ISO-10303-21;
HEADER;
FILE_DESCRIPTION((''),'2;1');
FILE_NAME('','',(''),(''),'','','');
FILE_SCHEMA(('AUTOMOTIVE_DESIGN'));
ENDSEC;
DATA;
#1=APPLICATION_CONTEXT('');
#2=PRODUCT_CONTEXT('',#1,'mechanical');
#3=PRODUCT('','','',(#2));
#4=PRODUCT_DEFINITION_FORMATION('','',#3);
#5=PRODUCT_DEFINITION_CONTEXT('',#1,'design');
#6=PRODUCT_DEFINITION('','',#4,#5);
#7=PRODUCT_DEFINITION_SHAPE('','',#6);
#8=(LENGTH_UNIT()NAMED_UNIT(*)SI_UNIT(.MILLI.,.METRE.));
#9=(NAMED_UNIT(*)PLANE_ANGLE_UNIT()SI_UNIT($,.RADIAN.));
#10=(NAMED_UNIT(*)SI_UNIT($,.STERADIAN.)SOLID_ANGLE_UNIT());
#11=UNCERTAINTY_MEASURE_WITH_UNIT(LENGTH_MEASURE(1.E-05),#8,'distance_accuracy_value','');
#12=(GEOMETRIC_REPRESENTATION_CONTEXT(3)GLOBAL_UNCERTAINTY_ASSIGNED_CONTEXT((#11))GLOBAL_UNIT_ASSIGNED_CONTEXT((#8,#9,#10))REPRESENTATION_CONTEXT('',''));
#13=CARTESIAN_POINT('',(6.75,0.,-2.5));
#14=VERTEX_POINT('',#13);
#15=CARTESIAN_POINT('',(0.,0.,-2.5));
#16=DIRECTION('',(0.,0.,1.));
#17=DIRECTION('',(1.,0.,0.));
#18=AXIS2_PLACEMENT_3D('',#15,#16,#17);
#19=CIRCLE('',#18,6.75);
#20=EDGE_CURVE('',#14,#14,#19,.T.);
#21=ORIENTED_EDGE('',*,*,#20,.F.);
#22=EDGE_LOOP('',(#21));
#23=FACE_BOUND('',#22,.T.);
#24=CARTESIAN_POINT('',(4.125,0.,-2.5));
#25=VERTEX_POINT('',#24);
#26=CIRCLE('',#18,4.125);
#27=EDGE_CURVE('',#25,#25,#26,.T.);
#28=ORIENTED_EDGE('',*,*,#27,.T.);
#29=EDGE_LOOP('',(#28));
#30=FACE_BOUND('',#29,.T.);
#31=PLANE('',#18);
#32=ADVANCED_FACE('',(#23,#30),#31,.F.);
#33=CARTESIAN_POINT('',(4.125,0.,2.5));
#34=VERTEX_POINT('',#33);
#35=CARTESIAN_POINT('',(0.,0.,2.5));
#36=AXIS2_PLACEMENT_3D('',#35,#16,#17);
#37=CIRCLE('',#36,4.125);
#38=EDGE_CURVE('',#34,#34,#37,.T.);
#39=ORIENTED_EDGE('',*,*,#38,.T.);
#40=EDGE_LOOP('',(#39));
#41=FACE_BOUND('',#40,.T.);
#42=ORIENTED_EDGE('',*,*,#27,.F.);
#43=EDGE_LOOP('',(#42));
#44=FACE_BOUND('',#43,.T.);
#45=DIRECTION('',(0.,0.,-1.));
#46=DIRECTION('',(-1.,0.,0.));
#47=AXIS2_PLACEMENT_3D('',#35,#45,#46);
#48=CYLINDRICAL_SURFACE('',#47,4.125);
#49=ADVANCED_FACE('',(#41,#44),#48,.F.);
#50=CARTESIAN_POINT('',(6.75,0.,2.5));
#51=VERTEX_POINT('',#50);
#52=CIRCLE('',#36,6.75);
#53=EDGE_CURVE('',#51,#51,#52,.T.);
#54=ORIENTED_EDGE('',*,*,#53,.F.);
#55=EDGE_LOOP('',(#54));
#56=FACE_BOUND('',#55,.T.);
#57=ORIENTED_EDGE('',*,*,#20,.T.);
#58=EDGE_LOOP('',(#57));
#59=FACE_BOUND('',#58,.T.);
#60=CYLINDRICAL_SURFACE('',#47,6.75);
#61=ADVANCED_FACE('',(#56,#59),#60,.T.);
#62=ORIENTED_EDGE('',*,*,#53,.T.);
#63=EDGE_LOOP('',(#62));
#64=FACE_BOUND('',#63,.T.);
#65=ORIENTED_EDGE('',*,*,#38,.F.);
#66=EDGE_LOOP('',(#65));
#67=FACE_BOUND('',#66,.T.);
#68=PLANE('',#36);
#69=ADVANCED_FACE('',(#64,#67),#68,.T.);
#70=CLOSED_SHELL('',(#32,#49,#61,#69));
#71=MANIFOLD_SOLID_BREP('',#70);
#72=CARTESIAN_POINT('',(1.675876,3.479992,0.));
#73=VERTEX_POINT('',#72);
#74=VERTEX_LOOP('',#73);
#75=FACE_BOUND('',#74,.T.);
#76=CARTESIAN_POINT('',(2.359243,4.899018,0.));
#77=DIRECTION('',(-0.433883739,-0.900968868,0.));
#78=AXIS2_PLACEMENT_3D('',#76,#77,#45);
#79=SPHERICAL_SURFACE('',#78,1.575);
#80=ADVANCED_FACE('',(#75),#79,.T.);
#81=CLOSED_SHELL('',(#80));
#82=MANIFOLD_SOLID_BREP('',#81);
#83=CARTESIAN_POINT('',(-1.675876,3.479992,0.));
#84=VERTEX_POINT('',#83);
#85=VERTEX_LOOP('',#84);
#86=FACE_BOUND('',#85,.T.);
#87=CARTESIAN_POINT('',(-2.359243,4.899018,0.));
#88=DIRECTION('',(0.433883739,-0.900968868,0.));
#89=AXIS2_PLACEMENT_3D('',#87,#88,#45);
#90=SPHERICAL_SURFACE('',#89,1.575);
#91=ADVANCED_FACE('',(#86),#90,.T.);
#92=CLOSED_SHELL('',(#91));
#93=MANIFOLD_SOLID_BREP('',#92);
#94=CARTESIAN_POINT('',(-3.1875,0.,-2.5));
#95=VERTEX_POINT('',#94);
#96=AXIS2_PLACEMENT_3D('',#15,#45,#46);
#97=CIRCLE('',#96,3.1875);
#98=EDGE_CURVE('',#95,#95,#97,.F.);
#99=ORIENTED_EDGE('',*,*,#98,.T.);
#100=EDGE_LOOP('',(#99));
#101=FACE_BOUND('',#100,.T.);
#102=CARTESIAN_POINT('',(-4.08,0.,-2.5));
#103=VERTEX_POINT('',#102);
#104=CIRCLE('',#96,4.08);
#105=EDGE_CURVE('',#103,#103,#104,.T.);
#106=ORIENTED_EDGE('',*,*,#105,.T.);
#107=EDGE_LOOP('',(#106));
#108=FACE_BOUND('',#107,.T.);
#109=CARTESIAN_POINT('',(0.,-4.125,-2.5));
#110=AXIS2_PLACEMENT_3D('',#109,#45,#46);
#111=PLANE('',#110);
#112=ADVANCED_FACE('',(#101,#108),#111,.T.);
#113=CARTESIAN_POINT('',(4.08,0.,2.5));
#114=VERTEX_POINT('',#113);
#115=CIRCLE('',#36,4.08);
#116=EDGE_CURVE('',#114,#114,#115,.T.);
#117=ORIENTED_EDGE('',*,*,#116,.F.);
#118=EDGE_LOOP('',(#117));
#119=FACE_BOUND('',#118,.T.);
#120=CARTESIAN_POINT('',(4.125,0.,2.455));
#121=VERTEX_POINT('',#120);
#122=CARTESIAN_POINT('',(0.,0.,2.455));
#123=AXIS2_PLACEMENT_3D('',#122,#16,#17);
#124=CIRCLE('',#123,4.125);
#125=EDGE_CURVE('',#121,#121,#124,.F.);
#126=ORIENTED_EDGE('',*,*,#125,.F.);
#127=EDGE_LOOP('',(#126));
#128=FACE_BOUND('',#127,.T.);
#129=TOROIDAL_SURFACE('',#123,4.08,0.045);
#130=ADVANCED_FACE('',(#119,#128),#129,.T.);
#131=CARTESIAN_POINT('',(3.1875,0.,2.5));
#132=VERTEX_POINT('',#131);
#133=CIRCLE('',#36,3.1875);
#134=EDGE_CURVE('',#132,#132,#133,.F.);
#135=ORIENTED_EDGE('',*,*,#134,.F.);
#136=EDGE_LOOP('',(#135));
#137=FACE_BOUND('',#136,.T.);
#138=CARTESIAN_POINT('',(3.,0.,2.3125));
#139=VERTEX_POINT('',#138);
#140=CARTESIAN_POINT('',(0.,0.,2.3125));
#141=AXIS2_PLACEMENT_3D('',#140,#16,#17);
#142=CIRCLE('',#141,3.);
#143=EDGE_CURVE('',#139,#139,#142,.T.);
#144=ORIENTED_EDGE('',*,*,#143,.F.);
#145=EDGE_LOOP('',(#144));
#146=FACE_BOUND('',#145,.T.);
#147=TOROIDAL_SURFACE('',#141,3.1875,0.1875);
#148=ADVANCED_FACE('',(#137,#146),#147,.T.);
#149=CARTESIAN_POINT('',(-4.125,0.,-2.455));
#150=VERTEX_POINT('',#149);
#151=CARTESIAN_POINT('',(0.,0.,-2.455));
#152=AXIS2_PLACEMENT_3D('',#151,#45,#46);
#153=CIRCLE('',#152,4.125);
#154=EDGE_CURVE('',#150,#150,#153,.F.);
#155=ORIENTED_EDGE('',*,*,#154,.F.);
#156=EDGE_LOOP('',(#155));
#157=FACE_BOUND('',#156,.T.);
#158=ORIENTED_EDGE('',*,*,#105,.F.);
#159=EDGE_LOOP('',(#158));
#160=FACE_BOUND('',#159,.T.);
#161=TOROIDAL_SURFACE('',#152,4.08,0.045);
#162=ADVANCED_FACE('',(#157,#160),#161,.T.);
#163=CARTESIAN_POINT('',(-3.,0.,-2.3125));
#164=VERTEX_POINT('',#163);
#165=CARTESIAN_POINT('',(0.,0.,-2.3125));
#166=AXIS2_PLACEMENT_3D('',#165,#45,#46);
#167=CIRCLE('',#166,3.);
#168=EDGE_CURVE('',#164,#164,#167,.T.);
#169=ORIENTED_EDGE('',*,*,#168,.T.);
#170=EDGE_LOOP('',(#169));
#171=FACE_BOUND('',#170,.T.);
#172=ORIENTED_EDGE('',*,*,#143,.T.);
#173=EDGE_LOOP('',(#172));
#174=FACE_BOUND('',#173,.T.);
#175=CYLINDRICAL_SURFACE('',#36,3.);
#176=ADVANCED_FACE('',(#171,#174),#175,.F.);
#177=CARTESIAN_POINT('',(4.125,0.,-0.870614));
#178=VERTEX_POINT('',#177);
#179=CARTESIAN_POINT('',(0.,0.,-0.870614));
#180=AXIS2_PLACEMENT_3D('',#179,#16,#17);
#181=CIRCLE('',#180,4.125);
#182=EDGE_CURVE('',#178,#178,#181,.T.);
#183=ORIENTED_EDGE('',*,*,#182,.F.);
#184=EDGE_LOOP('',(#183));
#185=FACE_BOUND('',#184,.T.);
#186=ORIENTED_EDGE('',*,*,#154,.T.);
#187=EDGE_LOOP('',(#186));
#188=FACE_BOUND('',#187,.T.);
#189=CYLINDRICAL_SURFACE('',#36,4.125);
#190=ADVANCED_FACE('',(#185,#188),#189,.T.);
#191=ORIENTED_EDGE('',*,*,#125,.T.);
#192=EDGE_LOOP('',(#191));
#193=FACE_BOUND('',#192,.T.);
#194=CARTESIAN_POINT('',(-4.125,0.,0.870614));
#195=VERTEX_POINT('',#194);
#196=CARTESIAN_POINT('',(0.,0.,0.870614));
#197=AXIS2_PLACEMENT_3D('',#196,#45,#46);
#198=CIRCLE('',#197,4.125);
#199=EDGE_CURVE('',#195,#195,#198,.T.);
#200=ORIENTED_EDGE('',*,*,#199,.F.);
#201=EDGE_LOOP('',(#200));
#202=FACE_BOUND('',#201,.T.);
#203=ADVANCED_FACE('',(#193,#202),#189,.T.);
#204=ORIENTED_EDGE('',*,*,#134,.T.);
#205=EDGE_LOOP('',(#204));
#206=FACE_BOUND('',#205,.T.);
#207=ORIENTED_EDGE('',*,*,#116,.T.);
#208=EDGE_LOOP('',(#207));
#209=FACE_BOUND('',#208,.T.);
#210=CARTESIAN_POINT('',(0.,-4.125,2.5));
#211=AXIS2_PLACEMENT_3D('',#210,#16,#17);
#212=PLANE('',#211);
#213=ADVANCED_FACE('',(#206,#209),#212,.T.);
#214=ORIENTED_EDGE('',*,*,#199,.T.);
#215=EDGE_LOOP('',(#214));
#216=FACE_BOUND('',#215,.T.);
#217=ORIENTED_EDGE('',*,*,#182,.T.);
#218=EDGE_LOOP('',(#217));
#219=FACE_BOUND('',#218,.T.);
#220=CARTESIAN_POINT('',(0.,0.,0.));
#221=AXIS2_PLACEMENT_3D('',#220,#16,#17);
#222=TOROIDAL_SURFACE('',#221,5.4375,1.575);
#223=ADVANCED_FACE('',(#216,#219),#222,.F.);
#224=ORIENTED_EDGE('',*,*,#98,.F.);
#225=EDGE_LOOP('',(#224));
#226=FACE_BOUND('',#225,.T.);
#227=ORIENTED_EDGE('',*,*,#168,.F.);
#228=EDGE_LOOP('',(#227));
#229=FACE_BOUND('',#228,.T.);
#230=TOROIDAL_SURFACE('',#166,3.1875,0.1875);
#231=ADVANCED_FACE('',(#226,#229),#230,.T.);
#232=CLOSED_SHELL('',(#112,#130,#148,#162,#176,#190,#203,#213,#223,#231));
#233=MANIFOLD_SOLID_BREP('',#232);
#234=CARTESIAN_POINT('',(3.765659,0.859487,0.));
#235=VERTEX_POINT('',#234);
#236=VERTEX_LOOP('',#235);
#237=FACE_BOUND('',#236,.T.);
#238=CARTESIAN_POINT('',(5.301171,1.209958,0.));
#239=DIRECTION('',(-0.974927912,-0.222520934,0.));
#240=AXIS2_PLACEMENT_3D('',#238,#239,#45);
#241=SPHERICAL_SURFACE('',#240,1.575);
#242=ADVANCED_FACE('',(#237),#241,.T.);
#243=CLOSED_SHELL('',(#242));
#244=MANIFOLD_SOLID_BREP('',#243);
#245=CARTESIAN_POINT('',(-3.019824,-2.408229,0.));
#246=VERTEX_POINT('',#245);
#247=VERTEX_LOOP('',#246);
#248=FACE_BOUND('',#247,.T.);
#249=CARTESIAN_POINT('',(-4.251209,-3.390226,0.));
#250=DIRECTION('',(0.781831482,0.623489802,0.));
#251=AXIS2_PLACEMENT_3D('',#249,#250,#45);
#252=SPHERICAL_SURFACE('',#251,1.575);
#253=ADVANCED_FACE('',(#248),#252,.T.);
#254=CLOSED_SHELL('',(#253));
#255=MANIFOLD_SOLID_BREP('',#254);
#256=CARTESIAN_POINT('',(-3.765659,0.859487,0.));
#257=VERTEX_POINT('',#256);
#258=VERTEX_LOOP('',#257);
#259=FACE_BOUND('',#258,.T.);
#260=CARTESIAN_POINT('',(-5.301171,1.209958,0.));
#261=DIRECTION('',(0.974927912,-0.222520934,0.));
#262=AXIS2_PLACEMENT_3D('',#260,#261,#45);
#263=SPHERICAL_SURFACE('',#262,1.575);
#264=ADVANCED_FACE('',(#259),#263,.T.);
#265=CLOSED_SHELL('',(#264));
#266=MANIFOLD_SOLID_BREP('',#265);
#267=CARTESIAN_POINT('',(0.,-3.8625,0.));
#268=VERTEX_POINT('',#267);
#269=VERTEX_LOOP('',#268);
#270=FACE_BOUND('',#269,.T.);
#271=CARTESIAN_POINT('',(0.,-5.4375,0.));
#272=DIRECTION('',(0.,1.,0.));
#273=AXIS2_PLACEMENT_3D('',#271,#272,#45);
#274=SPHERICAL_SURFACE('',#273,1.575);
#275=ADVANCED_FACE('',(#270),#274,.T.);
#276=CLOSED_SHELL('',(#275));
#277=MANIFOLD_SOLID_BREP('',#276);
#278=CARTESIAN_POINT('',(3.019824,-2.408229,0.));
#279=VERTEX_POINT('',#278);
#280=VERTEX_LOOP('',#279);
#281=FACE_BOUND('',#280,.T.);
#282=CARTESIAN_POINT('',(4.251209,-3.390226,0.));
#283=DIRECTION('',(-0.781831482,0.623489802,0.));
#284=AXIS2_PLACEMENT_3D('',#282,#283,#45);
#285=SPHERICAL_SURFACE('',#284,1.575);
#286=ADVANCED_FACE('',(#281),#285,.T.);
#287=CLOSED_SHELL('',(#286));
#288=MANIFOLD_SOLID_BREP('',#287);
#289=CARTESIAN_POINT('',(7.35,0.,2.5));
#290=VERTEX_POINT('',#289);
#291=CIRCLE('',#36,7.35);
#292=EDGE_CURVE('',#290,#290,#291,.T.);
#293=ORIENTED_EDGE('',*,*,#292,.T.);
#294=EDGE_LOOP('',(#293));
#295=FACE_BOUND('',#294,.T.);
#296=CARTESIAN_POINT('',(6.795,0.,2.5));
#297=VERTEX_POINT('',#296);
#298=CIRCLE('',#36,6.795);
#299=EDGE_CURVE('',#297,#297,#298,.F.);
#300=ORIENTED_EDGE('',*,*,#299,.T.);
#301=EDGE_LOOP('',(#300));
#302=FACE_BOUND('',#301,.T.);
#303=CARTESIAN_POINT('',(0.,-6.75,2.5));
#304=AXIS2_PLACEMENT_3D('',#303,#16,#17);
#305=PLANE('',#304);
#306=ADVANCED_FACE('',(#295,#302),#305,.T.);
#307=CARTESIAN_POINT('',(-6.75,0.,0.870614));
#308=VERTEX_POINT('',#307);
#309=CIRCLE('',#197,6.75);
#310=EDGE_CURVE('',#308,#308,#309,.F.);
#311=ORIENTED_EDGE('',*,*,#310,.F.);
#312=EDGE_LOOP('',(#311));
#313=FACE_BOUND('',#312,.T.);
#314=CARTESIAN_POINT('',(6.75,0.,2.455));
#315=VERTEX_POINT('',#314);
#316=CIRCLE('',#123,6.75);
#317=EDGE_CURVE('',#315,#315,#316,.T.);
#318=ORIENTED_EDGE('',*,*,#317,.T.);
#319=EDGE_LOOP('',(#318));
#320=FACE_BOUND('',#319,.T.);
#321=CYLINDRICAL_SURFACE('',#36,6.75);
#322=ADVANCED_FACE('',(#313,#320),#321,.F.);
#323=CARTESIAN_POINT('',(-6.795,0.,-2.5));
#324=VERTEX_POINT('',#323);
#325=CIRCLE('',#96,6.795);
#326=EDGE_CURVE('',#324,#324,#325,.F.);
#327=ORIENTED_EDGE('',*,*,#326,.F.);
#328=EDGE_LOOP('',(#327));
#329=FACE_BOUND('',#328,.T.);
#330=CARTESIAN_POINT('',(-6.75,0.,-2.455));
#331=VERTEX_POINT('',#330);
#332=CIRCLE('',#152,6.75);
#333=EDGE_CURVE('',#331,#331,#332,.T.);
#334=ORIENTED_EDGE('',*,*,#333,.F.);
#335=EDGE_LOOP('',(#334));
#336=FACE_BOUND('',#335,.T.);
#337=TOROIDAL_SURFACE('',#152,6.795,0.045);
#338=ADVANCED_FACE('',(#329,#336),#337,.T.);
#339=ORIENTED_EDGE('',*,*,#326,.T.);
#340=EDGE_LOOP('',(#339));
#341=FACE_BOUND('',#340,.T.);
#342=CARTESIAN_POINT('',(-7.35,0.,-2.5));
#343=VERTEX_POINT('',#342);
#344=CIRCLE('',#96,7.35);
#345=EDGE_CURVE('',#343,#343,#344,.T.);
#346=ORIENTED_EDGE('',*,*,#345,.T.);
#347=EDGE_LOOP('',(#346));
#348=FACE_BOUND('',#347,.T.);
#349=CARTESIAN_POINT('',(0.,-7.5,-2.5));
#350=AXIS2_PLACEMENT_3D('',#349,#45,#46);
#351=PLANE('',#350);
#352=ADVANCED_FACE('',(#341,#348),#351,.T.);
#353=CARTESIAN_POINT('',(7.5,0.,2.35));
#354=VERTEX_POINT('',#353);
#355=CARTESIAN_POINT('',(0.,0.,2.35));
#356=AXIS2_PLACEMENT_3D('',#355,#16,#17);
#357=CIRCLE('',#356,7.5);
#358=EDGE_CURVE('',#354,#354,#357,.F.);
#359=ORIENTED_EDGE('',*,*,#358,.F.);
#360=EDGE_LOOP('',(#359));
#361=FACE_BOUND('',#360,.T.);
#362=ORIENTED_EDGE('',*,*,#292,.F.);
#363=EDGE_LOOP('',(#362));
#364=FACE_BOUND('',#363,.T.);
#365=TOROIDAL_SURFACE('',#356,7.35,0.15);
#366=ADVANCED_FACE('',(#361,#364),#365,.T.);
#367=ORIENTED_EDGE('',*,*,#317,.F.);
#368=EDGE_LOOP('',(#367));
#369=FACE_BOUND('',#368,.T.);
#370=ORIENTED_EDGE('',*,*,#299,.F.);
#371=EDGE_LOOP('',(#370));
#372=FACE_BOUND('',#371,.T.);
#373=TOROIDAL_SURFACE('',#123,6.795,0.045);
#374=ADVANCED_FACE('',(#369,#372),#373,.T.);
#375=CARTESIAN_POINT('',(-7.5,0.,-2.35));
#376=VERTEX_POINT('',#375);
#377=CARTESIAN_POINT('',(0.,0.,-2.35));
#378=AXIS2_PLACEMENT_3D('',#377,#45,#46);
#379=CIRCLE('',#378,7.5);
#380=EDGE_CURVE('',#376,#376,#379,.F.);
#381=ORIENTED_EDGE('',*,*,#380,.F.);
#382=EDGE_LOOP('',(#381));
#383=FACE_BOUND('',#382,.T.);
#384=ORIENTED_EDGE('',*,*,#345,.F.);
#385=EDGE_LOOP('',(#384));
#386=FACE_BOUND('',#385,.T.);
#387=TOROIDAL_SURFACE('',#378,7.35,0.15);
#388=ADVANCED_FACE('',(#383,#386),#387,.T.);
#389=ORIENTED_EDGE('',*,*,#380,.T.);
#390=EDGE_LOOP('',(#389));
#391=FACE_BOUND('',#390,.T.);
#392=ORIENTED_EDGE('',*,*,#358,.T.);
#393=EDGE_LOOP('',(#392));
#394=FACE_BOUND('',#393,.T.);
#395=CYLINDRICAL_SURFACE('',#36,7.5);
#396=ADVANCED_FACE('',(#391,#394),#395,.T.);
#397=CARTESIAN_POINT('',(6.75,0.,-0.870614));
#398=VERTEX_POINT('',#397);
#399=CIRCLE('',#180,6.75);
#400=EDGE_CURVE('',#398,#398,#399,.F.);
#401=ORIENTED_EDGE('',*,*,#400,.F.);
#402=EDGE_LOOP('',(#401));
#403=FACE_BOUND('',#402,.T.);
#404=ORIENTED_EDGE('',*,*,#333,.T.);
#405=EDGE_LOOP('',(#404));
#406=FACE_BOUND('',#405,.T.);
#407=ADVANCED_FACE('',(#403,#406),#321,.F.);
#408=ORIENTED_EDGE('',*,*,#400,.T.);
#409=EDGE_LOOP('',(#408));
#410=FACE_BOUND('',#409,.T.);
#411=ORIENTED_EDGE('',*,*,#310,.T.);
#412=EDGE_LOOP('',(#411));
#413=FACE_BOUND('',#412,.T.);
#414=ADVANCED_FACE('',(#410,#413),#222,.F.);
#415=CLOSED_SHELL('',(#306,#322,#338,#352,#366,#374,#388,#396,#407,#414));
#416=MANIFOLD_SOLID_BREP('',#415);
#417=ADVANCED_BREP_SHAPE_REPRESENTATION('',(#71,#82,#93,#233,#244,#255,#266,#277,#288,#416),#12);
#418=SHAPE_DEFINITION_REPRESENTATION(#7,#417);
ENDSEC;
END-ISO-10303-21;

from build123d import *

# Parameters (mm, degrees)
SKETCH3_W           = 5
SKETCH3_H           = 0.75
SKETCH3_H_2         = 1.125
SKETCH4_R           = 1.575
CIRPATTERN1_COUNT   = 7
FILLET1_R           = 0.15
FILLET2_R           = 0.1875
FILLET3_R           = 0.045
FILLET4_R           = 0.045
SKETCH6_R           = 6.75
SKETCH6_R_2         = 4.125
BOSS_EXTRUDE2_DEPTH = 2.5


with BuildPart() as part:
    # Sketch3 → Revolve1 (revolve)
    with BuildSketch(Plane(origin=(0, 0, 0), x_dir=(0, 0, -1), z_dir=(1, 0, 0))):
        with Locations((0, -7.125)):
            Rectangle(SKETCH3_W, SKETCH3_H)
        with Locations((0, -3.5625)):
            Rectangle(SKETCH3_W, SKETCH3_H_2)
    revolve(axis=Axis((0, 0, 2.5), (0, 0, -1)))

    # Sketch4 → Cut-Revolve1 (revolve, cut)
    with BuildSketch(Plane(origin=(0, 0, 0), x_dir=(0, 0, -1), z_dir=(1, 0, 0))):
        with Locations((0, -5.4375)):
            Circle(SKETCH4_R)
    revolve(axis=Axis((0, 0, 2.5), (0, 0, -1)), mode=Mode.SUBTRACT)

    # Fillet1
    fillet1_edges = [part.edges().sort_by_distance(p)[0] for p in [
        (0, 7.5, -2.5),
        (0, 7.5, 2.5),
    ]]
    fillet(fillet1_edges, radius=FILLET1_R)

    # Fillet2
    fillet2_edges = [part.edges().sort_by_distance(p)[0] for p in [
        (0, 3, -2.5),
        (0, 3, 2.5),
    ]]
    fillet(fillet2_edges, radius=FILLET2_R)

    # Fillet3
    fillet3_edges = [part.edges().sort_by_distance(p)[0] for p in [
        (0, 6.75, 2.5),
        (0, 6.75, -2.5),
    ]]
    fillet(fillet3_edges, radius=FILLET3_R)

    # Fillet4
    fillet4_edges = [part.edges().sort_by_distance(p)[0] for p in [
        (0, 4.125, 2.5),
        (0, 4.125, -2.5),
    ]]
    fillet(fillet4_edges, radius=FILLET4_R)


with BuildPart() as body_2:
    # Sketch5 → Revolve2 (revolve)
    with BuildSketch(Plane(origin=(0, 0, 0), x_dir=(0, 0, -1), z_dir=(1, 0, 0))):
        with BuildLine():
            Line((0, -3.8625), (0, -7.0125))
            ThreePointArc((0, -7.0125), (1.575, -5.4375), (0, -3.8625))
        make_face()
    revolve(axis=Axis((0, -3.8625, 0), (0, -1, 0)))


with BuildPart() as cirpattern1_1:
    # CirPattern1: pattern copy
    add(body_2.part.rotate(Axis((0, 0, 0), (0, 0, 1)), 1 * 360 / CIRPATTERN1_COUNT))


with BuildPart() as cirpattern1_2:
    # CirPattern1: pattern copy
    add(body_2.part.rotate(Axis((0, 0, 0), (0, 0, 1)), 2 * 360 / CIRPATTERN1_COUNT))


with BuildPart() as cirpattern1_3:
    # CirPattern1: pattern copy
    add(body_2.part.rotate(Axis((0, 0, 0), (0, 0, 1)), 3 * 360 / CIRPATTERN1_COUNT))


with BuildPart() as cirpattern1_4:
    # CirPattern1: pattern copy
    add(body_2.part.rotate(Axis((0, 0, 0), (0, 0, 1)), 4 * 360 / CIRPATTERN1_COUNT))


with BuildPart() as cirpattern1_5:
    # CirPattern1: pattern copy
    add(body_2.part.rotate(Axis((0, 0, 0), (0, 0, 1)), 5 * 360 / CIRPATTERN1_COUNT))


with BuildPart() as cirpattern1_6:
    # CirPattern1: pattern copy
    add(body_2.part.rotate(Axis((0, 0, 0), (0, 0, 1)), 6 * 360 / CIRPATTERN1_COUNT))


with BuildPart() as body_9:
    # Sketch6 → Boss-Extrude2 (new body, symmetric)
    with BuildSketch(Plane.XY):
        Circle(SKETCH6_R)
        Circle(SKETCH6_R_2, mode=Mode.SUBTRACT)
    extrude(amount=BOSS_EXTRUDE2_DEPTH, both=True)


solid = Compound([part.part, body_2.part, cirpattern1_1.part, cirpattern1_2.part, cirpattern1_3.part, cirpattern1_4.part, cirpattern1_5.part, cirpattern1_6.part, body_9.part])
